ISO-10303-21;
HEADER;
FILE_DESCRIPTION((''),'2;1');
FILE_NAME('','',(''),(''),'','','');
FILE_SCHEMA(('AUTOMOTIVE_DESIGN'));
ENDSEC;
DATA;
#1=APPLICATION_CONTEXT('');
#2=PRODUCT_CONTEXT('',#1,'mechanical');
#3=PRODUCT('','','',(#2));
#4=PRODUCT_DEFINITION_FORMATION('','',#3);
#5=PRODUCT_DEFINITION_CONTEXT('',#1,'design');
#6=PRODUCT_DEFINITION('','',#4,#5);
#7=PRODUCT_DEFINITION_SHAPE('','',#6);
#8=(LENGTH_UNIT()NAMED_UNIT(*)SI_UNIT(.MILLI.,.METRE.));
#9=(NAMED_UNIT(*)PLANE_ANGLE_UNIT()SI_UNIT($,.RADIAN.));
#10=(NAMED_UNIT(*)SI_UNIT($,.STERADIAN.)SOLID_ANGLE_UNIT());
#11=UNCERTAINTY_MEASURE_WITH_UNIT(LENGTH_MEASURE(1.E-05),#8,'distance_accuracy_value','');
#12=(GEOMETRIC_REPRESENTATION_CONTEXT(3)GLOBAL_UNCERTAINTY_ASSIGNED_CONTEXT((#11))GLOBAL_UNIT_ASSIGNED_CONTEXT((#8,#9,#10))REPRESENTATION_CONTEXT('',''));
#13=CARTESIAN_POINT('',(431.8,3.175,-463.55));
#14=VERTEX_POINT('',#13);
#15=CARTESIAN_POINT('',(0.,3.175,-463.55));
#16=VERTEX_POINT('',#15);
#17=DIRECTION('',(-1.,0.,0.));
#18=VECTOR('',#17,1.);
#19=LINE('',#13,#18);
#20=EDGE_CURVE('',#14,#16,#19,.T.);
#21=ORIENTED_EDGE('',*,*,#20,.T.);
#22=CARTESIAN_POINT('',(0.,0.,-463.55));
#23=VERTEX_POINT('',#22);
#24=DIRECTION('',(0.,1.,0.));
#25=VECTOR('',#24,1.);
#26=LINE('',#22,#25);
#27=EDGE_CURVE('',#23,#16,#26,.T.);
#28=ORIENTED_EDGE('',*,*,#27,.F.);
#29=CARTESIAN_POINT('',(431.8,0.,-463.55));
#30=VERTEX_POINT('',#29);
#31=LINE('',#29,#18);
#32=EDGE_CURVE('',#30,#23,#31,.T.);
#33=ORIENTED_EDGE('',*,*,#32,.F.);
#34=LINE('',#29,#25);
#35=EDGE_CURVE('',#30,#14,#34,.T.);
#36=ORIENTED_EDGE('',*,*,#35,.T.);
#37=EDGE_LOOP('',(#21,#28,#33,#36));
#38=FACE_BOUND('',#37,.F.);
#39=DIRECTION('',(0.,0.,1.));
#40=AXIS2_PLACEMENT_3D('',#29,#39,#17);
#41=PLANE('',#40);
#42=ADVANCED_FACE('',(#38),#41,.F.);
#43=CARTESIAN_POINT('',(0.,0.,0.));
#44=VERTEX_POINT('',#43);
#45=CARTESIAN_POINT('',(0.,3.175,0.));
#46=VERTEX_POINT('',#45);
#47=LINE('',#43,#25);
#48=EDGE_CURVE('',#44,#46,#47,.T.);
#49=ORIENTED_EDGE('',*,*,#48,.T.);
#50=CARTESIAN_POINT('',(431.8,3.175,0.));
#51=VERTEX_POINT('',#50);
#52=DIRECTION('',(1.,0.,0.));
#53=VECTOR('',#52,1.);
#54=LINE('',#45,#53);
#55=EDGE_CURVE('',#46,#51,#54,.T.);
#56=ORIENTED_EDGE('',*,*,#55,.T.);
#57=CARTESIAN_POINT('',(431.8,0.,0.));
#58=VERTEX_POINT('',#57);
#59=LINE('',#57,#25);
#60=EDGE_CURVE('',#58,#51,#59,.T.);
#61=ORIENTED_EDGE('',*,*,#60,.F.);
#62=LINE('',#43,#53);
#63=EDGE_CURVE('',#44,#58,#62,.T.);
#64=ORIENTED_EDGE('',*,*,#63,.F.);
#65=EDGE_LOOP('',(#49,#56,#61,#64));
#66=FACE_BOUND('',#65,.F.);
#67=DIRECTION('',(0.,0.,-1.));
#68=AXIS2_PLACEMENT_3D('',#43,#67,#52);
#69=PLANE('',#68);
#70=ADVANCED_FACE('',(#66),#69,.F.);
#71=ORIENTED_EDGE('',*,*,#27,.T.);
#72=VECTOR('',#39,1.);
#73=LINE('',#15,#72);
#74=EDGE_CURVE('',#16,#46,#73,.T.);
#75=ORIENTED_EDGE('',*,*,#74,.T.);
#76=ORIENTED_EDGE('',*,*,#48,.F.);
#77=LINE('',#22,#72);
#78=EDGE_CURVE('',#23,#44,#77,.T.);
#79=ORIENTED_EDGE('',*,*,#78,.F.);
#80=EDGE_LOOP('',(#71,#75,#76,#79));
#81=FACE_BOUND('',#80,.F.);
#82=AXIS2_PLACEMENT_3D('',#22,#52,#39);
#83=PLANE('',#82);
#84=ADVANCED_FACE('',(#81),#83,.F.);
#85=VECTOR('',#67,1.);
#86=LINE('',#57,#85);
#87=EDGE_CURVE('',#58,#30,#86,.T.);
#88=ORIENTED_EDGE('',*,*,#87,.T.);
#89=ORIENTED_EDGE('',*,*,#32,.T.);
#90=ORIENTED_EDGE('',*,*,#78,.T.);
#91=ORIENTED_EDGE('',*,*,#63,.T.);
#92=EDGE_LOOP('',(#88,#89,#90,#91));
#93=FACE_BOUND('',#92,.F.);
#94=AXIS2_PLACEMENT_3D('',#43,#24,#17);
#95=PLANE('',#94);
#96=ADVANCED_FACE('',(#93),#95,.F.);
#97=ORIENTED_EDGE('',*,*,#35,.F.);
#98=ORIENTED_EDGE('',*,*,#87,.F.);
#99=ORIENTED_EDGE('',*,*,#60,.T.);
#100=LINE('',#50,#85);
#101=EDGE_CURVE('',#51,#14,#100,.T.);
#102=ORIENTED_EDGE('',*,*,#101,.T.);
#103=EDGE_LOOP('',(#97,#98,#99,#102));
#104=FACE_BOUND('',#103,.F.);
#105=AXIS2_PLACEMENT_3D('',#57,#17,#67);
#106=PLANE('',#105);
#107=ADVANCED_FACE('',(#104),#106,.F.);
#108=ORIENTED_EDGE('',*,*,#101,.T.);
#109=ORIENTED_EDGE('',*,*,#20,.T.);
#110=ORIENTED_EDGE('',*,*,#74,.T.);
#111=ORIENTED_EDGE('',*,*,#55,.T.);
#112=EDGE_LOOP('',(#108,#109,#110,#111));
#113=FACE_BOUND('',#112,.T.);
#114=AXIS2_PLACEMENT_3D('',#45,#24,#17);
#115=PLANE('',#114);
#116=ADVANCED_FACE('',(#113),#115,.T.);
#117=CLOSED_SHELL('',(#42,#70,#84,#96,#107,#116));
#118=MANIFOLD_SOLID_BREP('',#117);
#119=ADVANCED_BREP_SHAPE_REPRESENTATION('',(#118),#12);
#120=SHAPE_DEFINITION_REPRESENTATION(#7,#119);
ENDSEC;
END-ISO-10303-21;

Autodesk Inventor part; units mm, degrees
ref_plane "YZ Plane" through (0, 0, 0) normal (1, 0, 0) x (0, 1, 0)
ref_plane "XZ Plane" through (0, 0, 0) normal (0, 1, 0) x (-1, 0, 0)
ref_plane "XY Plane" through (0, 0, 0) normal (0, 0, 1) x (1, 0, 0)
sketch "Sketch1" plane through (0, 0, 0) normal (0, 1, 0) x (-1, 0, 0)
  line L0 (0, 0) -> (-431.8, 0)
  line L1 (-431.8, 0) -> (-431.8, -463.55)
  line L2 (-431.8, -463.55) -> (0, -463.55)
  line L3 (0, -463.55) -> (0, 0)
  dimension "d0" = 431.8
  dimension "d1" = 463.55
extrude "Extrusion1" add sketch "Sketch1" along normal blind 3.175
sketch "Sketch2" plane through (0, 3.175, 0) normal (0, 1, 0) x (1, 0, 0)
  point P0 (0, 0)
properties part number "220207 Bottom Piece"
